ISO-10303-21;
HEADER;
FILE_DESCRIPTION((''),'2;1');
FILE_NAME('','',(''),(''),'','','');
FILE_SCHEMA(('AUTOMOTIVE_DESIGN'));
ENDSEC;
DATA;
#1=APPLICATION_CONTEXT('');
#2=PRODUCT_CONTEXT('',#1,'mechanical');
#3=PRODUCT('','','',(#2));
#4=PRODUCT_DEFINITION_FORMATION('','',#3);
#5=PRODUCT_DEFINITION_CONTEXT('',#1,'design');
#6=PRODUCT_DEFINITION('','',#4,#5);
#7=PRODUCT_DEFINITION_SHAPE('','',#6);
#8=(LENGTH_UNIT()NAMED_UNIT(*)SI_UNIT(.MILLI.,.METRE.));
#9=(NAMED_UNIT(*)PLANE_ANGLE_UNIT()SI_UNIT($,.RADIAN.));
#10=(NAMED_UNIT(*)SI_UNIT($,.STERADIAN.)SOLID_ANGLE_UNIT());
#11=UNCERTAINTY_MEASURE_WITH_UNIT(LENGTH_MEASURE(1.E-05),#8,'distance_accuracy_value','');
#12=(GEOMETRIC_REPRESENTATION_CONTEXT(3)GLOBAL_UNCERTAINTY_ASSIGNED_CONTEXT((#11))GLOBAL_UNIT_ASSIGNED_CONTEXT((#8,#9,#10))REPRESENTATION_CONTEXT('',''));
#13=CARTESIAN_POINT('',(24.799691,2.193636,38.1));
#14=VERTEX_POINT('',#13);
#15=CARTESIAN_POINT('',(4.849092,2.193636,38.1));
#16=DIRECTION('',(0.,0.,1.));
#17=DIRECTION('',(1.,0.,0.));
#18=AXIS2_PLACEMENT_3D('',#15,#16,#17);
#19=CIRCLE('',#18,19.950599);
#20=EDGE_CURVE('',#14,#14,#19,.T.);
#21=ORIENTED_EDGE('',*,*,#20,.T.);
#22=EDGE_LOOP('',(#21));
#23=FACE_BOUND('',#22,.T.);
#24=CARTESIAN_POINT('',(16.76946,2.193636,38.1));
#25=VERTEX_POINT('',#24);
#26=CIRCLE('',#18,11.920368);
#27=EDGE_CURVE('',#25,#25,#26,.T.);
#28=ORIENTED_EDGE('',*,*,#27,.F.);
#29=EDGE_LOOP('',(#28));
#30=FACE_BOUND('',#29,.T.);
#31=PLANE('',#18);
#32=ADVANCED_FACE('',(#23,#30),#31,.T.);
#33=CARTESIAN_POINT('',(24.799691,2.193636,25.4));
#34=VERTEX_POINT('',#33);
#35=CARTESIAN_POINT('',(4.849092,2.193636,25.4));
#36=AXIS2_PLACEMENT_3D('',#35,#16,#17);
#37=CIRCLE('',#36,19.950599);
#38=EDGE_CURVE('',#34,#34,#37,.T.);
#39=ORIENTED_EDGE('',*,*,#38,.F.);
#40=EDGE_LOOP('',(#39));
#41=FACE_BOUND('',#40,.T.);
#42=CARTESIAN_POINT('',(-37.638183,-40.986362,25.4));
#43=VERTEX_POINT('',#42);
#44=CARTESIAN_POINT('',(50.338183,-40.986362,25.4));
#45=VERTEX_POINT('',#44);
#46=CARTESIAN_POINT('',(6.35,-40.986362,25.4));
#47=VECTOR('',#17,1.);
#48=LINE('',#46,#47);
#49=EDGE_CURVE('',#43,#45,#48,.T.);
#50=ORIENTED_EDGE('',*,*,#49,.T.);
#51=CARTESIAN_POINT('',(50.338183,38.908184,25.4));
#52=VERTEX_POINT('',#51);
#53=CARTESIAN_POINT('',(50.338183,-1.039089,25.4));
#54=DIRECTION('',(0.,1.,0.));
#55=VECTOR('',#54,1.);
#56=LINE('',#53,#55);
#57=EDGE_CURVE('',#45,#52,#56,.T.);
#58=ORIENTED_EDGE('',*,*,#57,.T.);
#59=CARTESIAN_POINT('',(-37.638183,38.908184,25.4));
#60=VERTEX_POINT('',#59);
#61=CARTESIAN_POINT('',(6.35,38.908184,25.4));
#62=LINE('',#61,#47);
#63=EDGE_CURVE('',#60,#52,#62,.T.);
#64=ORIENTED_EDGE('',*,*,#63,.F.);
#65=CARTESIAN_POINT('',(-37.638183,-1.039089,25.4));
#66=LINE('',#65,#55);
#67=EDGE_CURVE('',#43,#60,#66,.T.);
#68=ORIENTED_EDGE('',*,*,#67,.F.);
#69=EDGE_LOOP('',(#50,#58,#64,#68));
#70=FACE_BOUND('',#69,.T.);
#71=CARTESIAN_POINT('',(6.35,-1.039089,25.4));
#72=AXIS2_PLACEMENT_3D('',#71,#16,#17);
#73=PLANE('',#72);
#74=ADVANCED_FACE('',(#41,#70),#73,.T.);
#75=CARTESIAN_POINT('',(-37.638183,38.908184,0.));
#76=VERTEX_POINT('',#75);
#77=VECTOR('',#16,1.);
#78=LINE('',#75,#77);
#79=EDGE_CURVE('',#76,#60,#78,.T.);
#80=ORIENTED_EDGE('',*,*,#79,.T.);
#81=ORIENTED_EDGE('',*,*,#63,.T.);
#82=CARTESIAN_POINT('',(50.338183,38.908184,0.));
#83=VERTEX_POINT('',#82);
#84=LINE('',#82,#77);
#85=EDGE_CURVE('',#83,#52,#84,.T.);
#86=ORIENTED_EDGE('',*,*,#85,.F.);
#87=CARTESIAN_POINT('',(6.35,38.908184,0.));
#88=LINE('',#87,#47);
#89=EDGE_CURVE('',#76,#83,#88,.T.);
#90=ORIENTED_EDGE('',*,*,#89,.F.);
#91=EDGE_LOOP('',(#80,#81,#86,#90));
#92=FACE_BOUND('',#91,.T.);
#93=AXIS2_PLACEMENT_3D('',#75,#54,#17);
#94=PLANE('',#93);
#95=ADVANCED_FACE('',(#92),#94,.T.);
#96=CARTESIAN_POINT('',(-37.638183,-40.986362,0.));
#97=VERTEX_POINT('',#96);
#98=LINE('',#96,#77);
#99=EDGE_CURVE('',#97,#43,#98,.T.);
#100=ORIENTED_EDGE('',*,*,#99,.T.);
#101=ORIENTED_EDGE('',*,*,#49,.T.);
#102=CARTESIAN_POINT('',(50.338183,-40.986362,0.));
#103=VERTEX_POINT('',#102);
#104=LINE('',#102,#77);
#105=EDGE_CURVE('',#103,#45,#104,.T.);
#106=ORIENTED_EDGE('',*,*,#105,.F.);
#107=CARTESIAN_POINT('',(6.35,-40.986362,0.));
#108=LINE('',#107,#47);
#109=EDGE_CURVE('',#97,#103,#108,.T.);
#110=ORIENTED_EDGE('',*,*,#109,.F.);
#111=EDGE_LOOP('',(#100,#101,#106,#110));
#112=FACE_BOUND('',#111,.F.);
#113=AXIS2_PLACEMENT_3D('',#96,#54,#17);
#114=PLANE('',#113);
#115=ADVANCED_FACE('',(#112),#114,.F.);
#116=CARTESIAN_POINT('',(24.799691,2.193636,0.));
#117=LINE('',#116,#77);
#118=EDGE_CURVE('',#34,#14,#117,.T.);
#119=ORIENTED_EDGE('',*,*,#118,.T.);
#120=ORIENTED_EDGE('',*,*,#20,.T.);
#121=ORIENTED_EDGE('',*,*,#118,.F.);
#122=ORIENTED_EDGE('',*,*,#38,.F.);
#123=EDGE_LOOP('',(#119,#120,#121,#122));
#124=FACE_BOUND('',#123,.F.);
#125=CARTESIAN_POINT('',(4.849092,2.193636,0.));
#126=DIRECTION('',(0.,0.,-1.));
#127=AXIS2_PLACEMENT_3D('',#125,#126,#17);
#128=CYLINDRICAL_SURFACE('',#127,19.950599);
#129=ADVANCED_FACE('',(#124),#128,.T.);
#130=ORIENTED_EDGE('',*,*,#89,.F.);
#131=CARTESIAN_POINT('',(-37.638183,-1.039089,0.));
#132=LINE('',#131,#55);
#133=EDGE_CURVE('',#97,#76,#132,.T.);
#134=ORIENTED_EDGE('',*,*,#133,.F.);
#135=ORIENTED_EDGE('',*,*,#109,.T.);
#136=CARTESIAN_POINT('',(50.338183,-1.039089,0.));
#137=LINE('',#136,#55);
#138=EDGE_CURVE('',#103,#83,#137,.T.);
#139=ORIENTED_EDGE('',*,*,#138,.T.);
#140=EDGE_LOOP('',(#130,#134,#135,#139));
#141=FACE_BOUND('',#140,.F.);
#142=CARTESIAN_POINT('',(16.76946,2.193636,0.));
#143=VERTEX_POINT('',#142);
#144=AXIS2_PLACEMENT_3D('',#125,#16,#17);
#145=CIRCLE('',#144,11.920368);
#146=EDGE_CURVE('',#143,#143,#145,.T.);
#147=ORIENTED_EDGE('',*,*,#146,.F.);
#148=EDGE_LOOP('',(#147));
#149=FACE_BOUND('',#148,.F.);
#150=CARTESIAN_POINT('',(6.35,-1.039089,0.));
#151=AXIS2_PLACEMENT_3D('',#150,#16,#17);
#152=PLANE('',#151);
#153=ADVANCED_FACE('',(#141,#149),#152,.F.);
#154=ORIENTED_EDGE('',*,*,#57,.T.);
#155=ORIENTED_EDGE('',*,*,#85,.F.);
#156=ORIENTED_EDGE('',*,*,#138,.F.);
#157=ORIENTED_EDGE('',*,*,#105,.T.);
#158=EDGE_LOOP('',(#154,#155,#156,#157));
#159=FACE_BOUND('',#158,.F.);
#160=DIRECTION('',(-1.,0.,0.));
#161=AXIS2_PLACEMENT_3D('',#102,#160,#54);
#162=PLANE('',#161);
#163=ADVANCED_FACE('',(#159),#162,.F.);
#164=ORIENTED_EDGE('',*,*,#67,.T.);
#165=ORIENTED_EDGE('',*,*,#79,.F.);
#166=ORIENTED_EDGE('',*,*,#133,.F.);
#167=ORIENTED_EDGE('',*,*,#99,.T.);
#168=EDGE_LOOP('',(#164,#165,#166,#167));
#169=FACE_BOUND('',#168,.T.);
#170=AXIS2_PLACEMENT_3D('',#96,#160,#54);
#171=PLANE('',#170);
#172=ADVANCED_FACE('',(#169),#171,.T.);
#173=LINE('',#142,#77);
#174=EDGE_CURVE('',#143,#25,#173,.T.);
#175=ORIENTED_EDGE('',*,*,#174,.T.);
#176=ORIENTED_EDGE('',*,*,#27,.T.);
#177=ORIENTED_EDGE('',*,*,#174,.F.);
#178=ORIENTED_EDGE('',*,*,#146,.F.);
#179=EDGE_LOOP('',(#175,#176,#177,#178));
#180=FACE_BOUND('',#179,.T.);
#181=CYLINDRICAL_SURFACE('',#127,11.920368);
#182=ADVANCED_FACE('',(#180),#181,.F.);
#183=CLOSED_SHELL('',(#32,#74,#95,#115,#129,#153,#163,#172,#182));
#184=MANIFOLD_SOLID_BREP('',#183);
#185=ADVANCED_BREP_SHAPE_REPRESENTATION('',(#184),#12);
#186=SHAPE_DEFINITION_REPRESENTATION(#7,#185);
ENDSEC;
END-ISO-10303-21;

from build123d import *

# Parameters (mm, degrees)
F0_R     = 19.950599
F0_R_2   = 11.920368
F1_DEPTH = 38.1
F0_W     = 87.976367
F0_H     = 79.894547
F2_DEPTH = 25.4


with BuildPart() as f1:
    # F0 (on Top) → F1 (new body)
    with BuildSketch(Plane.XY):
        with Locations((4.849092, 2.193636)):
            Circle(F0_R)
        with Locations((4.849092, 2.193636)):
            Circle(F0_R_2, mode=Mode.SUBTRACT)
    extrude(amount=F1_DEPTH)

    # F0 (on Top) → F2 (join)
    with BuildSketch(Plane.XY):
        with Locations((6.35, -1.039089)):
            Rectangle(F0_W, F0_H)
        with Locations((4.849092, 2.193636)):
            Circle(F0_R, mode=Mode.SUBTRACT)
    extrude(amount=F2_DEPTH)


solid = f1.part
